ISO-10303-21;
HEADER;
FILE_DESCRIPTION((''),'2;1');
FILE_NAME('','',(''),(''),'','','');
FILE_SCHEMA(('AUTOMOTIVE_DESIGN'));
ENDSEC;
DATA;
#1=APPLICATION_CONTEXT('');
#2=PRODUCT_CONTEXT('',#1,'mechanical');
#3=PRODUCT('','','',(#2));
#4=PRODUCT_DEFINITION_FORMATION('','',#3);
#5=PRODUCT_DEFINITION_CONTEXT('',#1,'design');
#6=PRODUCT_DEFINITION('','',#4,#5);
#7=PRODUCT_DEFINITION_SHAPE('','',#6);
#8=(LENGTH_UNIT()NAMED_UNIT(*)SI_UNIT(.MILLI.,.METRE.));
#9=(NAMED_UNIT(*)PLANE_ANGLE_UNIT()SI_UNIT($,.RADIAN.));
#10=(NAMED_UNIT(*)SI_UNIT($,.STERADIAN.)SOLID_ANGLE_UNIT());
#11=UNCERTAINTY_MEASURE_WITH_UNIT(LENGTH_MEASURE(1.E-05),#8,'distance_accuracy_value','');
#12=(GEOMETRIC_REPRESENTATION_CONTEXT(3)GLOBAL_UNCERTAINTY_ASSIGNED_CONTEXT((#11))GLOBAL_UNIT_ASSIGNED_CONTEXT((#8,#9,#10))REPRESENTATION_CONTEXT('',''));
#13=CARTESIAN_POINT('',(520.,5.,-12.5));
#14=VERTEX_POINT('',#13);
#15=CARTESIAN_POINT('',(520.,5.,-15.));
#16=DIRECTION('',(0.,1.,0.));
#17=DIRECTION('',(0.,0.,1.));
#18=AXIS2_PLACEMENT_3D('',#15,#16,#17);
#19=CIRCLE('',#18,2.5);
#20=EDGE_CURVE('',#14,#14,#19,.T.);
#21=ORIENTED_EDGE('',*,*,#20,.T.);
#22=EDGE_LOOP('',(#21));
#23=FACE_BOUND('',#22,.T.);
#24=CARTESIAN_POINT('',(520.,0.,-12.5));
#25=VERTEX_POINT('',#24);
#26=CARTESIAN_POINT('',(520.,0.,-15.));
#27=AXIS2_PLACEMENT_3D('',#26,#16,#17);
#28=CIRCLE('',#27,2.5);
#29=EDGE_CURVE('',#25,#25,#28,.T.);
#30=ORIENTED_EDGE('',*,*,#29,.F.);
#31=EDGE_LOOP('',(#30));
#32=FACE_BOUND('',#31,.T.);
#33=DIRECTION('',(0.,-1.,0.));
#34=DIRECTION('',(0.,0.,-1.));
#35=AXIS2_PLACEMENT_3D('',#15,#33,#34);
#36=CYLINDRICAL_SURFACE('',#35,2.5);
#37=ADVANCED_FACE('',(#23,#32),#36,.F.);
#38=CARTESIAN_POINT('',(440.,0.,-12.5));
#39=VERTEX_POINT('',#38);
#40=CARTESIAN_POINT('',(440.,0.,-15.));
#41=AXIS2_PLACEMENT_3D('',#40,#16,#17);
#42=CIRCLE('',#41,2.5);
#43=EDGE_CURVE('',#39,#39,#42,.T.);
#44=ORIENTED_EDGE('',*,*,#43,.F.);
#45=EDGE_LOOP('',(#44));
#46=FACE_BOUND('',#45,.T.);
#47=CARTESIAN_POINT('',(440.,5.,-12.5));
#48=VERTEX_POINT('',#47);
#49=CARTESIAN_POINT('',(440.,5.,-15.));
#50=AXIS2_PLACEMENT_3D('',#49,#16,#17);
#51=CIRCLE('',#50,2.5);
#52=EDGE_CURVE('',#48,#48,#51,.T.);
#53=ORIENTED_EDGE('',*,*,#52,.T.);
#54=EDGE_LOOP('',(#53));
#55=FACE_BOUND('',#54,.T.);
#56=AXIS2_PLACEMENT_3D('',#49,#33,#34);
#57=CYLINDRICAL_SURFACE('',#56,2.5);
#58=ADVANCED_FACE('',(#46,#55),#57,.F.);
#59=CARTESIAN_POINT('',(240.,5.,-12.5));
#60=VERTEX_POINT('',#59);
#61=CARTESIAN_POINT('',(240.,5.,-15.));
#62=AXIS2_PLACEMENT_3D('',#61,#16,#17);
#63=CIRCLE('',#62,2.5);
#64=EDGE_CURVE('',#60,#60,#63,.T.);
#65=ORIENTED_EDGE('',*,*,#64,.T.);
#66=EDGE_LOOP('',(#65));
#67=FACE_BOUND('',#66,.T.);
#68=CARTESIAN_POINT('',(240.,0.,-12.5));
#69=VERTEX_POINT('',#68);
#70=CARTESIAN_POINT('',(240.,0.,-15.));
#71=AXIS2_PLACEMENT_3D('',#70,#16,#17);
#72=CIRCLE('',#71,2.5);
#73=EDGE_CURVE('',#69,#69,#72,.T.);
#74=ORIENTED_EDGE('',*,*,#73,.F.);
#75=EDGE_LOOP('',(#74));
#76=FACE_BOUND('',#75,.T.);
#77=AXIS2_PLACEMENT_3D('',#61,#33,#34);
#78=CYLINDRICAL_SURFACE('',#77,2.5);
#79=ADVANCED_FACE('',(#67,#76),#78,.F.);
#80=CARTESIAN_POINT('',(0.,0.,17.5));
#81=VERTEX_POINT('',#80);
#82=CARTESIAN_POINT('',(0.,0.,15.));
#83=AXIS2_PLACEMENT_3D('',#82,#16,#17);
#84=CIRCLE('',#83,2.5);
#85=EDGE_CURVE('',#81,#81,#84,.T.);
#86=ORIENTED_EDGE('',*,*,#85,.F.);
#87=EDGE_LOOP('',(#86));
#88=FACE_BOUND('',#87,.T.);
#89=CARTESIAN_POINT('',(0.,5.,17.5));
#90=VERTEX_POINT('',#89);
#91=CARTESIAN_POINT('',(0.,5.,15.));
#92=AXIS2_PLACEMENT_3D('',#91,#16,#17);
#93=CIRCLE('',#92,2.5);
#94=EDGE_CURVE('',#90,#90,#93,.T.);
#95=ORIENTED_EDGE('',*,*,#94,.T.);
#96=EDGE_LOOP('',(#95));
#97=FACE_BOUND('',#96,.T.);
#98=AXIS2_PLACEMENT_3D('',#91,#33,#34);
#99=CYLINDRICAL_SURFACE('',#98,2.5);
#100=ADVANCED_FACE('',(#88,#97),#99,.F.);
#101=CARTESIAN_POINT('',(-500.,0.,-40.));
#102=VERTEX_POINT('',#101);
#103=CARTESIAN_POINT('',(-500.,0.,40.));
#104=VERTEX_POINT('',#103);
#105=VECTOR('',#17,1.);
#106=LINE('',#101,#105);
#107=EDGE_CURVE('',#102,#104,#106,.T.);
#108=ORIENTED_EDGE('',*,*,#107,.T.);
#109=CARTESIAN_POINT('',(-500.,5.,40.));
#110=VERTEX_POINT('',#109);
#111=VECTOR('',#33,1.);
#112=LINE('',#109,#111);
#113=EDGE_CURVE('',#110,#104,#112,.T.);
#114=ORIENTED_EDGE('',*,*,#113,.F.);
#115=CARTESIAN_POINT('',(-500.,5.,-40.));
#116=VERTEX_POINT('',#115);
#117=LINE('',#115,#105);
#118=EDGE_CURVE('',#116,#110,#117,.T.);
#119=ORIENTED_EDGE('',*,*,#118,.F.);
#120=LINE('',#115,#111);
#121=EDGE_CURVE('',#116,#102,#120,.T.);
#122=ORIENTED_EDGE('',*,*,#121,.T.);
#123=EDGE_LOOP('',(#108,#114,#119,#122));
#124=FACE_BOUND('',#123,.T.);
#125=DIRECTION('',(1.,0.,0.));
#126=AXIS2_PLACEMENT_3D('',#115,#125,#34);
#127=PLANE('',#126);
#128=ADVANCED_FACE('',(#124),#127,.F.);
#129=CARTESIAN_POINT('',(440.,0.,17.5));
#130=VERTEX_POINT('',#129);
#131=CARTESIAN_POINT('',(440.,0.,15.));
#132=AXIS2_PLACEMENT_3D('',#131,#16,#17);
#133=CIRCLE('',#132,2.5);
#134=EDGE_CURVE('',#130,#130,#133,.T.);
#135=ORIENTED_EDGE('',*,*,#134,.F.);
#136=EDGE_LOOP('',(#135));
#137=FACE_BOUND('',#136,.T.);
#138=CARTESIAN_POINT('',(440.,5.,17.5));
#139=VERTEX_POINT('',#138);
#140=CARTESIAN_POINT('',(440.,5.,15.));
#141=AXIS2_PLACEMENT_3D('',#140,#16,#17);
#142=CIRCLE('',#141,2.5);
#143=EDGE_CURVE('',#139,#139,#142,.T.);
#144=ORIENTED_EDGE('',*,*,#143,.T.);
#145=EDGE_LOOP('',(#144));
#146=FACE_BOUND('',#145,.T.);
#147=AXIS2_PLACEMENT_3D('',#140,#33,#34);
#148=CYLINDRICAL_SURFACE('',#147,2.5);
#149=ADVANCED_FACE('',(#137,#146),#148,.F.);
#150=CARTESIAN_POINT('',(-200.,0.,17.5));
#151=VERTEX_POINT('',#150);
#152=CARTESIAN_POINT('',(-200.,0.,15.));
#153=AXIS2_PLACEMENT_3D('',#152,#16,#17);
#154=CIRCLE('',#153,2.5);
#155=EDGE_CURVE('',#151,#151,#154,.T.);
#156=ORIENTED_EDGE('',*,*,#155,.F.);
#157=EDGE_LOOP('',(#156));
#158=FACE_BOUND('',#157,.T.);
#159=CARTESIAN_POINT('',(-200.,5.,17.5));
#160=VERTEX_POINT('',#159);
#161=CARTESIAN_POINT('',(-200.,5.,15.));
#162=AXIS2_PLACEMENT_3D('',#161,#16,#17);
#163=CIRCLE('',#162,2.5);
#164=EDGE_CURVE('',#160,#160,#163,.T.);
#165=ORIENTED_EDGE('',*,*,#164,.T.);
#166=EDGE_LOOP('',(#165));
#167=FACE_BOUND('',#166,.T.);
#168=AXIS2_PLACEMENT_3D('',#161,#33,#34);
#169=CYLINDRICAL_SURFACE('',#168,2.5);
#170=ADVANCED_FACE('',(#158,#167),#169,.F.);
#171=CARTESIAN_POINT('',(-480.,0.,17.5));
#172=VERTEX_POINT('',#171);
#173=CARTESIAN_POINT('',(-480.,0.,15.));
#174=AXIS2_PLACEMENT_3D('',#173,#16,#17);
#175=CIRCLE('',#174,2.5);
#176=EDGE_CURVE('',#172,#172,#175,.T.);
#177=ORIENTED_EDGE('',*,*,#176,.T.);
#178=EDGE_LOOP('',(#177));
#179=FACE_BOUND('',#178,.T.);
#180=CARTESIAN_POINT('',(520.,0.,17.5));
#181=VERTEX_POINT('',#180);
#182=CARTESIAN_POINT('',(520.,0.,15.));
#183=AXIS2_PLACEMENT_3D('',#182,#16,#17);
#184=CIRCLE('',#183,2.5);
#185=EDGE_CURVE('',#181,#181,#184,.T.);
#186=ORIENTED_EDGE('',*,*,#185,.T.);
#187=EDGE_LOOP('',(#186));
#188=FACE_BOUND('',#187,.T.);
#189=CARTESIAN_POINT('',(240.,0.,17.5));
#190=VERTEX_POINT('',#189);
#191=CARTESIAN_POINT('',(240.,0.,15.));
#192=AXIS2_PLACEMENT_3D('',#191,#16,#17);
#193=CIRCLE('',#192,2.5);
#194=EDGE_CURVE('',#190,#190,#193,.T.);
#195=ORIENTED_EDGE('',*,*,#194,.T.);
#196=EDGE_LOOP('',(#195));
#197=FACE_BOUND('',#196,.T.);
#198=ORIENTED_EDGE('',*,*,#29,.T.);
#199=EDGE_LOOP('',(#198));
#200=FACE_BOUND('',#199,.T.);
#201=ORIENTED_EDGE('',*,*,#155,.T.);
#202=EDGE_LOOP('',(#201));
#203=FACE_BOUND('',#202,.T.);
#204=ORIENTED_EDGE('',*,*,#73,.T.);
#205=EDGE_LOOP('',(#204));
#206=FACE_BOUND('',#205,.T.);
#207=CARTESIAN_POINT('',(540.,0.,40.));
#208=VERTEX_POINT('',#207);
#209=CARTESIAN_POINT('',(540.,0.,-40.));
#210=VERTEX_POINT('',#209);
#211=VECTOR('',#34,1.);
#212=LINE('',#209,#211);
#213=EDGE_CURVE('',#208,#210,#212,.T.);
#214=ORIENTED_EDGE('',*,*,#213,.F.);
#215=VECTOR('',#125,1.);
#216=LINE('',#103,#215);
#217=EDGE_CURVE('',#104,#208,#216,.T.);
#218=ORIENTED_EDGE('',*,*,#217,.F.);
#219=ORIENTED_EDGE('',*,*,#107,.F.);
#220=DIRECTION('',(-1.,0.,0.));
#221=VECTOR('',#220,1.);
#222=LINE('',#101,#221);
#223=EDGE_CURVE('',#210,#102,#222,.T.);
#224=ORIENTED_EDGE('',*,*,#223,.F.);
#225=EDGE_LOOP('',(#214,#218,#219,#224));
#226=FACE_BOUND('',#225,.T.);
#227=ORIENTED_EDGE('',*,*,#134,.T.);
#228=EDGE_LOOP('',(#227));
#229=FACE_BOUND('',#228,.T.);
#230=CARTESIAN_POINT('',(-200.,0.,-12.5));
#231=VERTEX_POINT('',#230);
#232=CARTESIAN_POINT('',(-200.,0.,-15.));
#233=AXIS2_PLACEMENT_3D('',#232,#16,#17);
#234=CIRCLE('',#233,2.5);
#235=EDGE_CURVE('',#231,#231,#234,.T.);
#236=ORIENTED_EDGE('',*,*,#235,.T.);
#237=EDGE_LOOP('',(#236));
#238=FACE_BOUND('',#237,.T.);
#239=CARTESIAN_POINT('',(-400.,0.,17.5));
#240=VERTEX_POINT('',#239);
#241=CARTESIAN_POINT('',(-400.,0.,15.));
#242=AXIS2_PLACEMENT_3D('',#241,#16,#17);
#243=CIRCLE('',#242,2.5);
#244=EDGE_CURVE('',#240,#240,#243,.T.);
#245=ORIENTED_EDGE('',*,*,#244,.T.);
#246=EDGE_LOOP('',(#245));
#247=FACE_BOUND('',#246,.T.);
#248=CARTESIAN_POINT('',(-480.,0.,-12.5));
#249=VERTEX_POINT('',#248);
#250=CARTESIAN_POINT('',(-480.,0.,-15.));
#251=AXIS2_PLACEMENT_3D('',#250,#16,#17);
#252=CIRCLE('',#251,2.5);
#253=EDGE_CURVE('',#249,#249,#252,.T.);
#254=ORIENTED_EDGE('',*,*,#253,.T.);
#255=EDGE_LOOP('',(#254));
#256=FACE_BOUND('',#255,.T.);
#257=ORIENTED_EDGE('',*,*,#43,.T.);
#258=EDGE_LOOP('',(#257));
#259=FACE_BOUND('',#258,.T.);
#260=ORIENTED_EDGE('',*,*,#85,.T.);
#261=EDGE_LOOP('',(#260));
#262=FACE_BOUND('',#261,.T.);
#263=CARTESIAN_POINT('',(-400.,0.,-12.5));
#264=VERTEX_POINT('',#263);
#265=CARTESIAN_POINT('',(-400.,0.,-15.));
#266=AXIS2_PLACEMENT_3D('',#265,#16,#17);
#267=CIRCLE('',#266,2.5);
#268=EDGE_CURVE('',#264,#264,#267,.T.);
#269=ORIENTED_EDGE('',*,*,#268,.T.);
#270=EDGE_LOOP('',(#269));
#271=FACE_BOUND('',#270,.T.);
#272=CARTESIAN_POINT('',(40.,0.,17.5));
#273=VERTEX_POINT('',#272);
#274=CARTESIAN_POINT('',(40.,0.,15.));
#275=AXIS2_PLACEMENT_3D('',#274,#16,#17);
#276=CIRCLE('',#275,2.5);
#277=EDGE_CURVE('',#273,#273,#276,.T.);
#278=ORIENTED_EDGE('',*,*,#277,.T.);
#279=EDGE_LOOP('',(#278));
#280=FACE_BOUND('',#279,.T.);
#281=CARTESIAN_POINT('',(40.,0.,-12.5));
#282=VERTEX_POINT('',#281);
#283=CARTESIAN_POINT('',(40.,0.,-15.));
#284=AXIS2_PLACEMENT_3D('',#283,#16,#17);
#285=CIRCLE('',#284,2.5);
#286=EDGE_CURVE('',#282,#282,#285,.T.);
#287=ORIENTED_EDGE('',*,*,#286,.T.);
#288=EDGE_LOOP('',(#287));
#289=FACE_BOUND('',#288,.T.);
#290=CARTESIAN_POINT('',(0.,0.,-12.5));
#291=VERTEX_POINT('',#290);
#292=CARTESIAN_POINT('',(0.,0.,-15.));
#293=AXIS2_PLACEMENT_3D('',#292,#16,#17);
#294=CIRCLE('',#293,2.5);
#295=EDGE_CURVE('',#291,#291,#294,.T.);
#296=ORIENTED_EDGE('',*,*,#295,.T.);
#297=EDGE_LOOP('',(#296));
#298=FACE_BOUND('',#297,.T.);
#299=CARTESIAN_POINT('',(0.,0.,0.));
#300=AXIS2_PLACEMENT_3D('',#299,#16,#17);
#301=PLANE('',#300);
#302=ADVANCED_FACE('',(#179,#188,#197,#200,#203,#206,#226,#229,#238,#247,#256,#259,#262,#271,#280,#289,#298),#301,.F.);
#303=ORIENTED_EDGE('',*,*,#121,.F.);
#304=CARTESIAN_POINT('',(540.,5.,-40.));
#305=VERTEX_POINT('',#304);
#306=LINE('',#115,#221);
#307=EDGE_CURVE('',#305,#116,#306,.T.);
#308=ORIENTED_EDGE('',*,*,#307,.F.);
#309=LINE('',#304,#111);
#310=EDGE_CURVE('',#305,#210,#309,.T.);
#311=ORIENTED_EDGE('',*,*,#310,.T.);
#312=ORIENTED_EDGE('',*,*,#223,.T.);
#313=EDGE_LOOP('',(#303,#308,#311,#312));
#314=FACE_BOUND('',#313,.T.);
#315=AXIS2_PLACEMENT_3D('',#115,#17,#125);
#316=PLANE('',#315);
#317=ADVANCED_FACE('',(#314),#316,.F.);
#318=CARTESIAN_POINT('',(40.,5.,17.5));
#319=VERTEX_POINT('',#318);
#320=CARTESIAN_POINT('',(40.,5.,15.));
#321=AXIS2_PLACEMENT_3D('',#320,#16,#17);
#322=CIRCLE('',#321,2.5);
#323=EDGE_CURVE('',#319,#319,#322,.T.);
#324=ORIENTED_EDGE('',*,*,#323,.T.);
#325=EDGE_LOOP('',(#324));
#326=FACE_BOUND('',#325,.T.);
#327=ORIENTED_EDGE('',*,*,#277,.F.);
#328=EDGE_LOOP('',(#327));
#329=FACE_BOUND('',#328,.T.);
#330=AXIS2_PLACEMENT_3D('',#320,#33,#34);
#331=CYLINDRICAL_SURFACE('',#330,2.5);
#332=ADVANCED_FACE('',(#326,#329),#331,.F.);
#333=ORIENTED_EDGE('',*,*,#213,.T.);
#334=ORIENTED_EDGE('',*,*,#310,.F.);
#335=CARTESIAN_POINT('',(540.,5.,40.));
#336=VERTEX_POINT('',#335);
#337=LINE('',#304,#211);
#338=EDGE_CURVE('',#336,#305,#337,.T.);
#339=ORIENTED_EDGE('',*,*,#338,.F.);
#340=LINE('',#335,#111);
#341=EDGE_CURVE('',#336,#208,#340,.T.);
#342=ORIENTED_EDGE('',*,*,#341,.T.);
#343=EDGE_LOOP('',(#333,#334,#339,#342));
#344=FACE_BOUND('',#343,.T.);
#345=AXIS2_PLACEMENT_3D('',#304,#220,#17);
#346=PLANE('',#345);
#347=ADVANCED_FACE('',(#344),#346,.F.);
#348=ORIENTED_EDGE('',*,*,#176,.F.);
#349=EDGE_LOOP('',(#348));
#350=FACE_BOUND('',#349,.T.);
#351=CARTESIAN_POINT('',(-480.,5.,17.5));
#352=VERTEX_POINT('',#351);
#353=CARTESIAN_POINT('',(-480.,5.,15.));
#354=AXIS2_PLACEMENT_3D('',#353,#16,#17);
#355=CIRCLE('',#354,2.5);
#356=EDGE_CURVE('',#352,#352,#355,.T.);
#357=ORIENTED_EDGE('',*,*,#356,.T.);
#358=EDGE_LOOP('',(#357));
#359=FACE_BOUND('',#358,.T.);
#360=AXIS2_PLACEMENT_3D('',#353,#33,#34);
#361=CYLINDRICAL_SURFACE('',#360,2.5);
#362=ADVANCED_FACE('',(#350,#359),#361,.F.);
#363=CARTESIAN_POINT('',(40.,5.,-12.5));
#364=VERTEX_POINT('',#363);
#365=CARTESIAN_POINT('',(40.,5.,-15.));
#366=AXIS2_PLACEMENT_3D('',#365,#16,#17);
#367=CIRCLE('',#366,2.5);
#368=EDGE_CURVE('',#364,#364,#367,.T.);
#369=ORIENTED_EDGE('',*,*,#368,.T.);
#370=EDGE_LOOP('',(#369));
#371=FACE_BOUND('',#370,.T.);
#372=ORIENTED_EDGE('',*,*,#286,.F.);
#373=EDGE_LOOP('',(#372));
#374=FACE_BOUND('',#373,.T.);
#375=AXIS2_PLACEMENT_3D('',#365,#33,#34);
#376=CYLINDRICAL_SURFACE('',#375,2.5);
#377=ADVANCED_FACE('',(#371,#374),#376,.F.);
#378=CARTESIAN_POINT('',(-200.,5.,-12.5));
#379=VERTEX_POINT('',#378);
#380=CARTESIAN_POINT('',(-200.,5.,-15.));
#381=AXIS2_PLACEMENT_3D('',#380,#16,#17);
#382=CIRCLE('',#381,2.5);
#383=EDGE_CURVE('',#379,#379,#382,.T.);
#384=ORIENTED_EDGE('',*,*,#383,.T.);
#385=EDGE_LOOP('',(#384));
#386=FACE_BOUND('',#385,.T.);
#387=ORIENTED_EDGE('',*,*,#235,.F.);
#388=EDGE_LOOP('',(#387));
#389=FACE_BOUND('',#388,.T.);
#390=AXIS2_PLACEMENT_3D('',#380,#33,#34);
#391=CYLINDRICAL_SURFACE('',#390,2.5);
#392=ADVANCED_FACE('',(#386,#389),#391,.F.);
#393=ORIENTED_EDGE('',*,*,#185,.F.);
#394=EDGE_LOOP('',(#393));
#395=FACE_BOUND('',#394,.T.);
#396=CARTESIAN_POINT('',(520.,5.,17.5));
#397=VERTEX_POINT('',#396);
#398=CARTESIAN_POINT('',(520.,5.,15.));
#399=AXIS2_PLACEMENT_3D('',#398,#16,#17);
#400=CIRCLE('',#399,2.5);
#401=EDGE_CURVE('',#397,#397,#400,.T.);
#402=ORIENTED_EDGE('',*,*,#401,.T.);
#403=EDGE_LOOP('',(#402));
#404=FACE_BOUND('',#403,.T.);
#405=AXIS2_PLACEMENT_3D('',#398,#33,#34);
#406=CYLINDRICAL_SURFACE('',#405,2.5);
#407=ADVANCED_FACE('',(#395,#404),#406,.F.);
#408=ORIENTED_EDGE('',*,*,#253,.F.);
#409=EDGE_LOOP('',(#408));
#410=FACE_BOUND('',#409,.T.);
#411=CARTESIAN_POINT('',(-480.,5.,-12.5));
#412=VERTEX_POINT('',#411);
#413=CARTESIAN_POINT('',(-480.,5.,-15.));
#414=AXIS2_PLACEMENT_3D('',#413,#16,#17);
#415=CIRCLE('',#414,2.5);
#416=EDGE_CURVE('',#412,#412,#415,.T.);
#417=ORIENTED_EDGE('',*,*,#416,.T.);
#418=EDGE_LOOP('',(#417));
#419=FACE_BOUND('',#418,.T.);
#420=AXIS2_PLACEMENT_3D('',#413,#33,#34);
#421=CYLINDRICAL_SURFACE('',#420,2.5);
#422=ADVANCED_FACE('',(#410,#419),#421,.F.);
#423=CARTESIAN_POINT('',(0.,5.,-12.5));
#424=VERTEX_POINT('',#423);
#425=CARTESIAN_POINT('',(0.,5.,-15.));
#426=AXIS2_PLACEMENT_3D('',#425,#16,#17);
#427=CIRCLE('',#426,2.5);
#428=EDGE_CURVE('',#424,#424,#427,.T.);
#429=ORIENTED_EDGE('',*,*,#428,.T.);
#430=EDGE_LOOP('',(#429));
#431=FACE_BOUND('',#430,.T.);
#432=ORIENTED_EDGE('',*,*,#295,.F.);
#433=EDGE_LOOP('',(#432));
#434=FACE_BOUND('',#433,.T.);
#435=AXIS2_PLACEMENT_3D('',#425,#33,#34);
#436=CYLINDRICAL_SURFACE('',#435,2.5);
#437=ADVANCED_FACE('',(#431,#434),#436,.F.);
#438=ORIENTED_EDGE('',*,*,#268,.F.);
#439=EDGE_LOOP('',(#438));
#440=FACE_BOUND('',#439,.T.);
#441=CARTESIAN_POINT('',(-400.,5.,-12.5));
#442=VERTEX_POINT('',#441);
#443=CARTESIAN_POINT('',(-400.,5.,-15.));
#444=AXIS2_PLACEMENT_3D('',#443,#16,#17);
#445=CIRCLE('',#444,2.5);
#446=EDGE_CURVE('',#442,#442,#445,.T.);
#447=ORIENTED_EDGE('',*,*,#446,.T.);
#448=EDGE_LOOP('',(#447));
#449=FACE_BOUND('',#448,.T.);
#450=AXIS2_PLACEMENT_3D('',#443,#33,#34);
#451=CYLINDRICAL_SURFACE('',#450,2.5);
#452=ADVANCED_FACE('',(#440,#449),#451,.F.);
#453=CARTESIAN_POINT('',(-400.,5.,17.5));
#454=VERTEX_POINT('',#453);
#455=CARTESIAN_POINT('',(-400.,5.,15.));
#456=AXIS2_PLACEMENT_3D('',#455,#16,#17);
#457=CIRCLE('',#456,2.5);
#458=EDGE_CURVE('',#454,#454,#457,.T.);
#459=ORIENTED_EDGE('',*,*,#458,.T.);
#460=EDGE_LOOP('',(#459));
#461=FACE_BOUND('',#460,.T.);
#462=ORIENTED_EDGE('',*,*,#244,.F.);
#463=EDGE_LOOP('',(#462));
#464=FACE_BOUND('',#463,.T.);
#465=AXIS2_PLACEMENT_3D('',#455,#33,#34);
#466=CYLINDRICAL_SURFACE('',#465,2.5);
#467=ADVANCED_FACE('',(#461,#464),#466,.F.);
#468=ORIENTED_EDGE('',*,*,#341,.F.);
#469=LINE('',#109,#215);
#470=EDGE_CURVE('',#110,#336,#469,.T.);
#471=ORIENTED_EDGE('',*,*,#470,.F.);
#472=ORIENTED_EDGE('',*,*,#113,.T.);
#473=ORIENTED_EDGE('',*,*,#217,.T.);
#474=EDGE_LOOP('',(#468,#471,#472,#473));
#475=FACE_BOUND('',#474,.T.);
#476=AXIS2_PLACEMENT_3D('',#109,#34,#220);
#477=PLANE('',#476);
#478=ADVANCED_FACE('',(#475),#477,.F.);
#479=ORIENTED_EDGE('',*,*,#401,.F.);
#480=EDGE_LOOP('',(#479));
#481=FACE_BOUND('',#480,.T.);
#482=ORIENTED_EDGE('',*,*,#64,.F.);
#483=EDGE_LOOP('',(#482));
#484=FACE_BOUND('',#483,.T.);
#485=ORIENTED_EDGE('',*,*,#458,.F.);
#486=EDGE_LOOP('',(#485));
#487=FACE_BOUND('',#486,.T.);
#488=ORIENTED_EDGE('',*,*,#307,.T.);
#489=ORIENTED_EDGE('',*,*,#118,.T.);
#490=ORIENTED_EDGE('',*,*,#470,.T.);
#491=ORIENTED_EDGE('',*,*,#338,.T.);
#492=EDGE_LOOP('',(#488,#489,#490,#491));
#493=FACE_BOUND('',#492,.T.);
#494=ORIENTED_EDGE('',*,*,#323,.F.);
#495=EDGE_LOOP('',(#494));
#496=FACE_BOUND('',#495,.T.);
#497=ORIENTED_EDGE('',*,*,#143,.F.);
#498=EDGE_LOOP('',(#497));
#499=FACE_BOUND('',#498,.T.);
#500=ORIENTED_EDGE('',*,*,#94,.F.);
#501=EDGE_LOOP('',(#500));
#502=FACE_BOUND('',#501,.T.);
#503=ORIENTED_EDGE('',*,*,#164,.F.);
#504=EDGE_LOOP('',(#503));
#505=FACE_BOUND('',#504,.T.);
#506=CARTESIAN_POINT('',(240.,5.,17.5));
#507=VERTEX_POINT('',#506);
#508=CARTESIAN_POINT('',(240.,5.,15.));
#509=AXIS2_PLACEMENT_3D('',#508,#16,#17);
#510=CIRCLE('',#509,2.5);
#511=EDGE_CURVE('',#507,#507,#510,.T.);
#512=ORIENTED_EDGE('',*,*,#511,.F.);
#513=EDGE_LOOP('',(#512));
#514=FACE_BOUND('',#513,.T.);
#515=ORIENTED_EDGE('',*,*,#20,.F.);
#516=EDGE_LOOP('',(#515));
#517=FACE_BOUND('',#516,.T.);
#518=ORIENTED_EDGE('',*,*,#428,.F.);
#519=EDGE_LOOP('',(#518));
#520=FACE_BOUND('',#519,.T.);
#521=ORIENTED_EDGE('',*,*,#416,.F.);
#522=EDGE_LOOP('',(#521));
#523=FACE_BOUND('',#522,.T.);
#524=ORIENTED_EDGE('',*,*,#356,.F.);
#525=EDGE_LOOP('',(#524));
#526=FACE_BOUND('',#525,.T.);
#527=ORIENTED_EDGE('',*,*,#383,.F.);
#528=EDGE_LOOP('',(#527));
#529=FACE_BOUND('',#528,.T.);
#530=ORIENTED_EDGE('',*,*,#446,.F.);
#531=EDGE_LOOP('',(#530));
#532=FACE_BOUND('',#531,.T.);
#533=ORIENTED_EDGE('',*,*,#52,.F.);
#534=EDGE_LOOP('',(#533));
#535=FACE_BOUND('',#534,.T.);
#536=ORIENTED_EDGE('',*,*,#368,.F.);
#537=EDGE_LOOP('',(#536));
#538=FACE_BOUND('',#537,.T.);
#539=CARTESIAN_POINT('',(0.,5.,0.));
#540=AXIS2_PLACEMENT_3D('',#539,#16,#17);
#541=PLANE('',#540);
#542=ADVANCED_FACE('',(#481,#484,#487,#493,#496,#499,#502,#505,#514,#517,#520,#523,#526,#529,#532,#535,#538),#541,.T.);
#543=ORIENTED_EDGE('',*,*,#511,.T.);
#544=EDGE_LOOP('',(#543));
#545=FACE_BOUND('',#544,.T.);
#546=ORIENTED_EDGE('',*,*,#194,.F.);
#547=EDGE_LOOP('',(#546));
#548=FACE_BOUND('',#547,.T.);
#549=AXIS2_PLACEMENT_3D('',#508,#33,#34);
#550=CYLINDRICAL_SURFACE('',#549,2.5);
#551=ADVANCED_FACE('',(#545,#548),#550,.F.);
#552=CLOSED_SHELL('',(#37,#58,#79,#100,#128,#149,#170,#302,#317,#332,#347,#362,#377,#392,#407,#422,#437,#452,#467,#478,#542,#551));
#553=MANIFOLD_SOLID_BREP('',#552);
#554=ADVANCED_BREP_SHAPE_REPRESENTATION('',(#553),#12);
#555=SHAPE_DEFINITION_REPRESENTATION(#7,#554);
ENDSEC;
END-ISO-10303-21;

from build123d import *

# Parameters (mm, degrees)
SKETCH1_W           = 1040
SKETCH1_H           = 80
SKETCH1_R           = 2.5
BOSS_EXTRUDE2_DEPTH = 5


with BuildPart() as part:
    # Sketch1 → Boss-Extrude2 (new body)
    with BuildSketch(Plane(origin=(0, 0, 0), x_dir=(1, 0, 0), z_dir=(0, 1, 0))):
        with Locations((20, 0)):
            Rectangle(SKETCH1_W, SKETCH1_H)
        with Locations(Location((0, 15, 0), (0, 0, 270))):
            Circle(SKETCH1_R, mode=Mode.SUBTRACT)
        with Locations(Location((0, -15, 0), (0, 0, 270))):
            Circle(SKETCH1_R, mode=Mode.SUBTRACT)
        with Locations(Location((40, 15, 0), (0, 0, 270))):
            Circle(SKETCH1_R, mode=Mode.SUBTRACT)
        with Locations(Location((40, -15, 0), (0, 0, 270))):
            Circle(SKETCH1_R, mode=Mode.SUBTRACT)
        with Locations(Location((-200, 15, 0), (0, 0, 270))):
            Circle(SKETCH1_R, mode=Mode.SUBTRACT)
        with Locations(Location((-200, -15, 0), (0, 0, 270))):
            Circle(SKETCH1_R, mode=Mode.SUBTRACT)
        with Locations(Location((240, -15, 0), (0, 0, 270))):
            Circle(SKETCH1_R, mode=Mode.SUBTRACT)
        with Locations(Location((240, 15, 0), (0, 0, 270))):
            Circle(SKETCH1_R, mode=Mode.SUBTRACT)
        with Locations(Location((-400, 15, 0), (0, 0, 270))):
            Circle(SKETCH1_R, mode=Mode.SUBTRACT)
        with Locations(Location((-400, -15, 0), (0, 0, 270))):
            Circle(SKETCH1_R, mode=Mode.SUBTRACT)
        with Locations(Location((440, -15, 0), (0, 0, 270))):
            Circle(SKETCH1_R, mode=Mode.SUBTRACT)
        with Locations(Location((440, 15, 0), (0, 0, 270))):
            Circle(SKETCH1_R, mode=Mode.SUBTRACT)
        with Locations(Location((520, 15, 0), (0, 0, 270))):
            Circle(SKETCH1_R, mode=Mode.SUBTRACT)
        with Locations(Location((520, -15, 0), (0, 0, 270))):
            Circle(SKETCH1_R, mode=Mode.SUBTRACT)
        with Locations(Location((-480, 15, 0), (0, 0, 270))):
            Circle(SKETCH1_R, mode=Mode.SUBTRACT)
        with Locations(Location((-480, -15, 0), (0, 0, 270))):
            Circle(SKETCH1_R, mode=Mode.SUBTRACT)
    extrude(amount=BOSS_EXTRUDE2_DEPTH)


solid = part.part
